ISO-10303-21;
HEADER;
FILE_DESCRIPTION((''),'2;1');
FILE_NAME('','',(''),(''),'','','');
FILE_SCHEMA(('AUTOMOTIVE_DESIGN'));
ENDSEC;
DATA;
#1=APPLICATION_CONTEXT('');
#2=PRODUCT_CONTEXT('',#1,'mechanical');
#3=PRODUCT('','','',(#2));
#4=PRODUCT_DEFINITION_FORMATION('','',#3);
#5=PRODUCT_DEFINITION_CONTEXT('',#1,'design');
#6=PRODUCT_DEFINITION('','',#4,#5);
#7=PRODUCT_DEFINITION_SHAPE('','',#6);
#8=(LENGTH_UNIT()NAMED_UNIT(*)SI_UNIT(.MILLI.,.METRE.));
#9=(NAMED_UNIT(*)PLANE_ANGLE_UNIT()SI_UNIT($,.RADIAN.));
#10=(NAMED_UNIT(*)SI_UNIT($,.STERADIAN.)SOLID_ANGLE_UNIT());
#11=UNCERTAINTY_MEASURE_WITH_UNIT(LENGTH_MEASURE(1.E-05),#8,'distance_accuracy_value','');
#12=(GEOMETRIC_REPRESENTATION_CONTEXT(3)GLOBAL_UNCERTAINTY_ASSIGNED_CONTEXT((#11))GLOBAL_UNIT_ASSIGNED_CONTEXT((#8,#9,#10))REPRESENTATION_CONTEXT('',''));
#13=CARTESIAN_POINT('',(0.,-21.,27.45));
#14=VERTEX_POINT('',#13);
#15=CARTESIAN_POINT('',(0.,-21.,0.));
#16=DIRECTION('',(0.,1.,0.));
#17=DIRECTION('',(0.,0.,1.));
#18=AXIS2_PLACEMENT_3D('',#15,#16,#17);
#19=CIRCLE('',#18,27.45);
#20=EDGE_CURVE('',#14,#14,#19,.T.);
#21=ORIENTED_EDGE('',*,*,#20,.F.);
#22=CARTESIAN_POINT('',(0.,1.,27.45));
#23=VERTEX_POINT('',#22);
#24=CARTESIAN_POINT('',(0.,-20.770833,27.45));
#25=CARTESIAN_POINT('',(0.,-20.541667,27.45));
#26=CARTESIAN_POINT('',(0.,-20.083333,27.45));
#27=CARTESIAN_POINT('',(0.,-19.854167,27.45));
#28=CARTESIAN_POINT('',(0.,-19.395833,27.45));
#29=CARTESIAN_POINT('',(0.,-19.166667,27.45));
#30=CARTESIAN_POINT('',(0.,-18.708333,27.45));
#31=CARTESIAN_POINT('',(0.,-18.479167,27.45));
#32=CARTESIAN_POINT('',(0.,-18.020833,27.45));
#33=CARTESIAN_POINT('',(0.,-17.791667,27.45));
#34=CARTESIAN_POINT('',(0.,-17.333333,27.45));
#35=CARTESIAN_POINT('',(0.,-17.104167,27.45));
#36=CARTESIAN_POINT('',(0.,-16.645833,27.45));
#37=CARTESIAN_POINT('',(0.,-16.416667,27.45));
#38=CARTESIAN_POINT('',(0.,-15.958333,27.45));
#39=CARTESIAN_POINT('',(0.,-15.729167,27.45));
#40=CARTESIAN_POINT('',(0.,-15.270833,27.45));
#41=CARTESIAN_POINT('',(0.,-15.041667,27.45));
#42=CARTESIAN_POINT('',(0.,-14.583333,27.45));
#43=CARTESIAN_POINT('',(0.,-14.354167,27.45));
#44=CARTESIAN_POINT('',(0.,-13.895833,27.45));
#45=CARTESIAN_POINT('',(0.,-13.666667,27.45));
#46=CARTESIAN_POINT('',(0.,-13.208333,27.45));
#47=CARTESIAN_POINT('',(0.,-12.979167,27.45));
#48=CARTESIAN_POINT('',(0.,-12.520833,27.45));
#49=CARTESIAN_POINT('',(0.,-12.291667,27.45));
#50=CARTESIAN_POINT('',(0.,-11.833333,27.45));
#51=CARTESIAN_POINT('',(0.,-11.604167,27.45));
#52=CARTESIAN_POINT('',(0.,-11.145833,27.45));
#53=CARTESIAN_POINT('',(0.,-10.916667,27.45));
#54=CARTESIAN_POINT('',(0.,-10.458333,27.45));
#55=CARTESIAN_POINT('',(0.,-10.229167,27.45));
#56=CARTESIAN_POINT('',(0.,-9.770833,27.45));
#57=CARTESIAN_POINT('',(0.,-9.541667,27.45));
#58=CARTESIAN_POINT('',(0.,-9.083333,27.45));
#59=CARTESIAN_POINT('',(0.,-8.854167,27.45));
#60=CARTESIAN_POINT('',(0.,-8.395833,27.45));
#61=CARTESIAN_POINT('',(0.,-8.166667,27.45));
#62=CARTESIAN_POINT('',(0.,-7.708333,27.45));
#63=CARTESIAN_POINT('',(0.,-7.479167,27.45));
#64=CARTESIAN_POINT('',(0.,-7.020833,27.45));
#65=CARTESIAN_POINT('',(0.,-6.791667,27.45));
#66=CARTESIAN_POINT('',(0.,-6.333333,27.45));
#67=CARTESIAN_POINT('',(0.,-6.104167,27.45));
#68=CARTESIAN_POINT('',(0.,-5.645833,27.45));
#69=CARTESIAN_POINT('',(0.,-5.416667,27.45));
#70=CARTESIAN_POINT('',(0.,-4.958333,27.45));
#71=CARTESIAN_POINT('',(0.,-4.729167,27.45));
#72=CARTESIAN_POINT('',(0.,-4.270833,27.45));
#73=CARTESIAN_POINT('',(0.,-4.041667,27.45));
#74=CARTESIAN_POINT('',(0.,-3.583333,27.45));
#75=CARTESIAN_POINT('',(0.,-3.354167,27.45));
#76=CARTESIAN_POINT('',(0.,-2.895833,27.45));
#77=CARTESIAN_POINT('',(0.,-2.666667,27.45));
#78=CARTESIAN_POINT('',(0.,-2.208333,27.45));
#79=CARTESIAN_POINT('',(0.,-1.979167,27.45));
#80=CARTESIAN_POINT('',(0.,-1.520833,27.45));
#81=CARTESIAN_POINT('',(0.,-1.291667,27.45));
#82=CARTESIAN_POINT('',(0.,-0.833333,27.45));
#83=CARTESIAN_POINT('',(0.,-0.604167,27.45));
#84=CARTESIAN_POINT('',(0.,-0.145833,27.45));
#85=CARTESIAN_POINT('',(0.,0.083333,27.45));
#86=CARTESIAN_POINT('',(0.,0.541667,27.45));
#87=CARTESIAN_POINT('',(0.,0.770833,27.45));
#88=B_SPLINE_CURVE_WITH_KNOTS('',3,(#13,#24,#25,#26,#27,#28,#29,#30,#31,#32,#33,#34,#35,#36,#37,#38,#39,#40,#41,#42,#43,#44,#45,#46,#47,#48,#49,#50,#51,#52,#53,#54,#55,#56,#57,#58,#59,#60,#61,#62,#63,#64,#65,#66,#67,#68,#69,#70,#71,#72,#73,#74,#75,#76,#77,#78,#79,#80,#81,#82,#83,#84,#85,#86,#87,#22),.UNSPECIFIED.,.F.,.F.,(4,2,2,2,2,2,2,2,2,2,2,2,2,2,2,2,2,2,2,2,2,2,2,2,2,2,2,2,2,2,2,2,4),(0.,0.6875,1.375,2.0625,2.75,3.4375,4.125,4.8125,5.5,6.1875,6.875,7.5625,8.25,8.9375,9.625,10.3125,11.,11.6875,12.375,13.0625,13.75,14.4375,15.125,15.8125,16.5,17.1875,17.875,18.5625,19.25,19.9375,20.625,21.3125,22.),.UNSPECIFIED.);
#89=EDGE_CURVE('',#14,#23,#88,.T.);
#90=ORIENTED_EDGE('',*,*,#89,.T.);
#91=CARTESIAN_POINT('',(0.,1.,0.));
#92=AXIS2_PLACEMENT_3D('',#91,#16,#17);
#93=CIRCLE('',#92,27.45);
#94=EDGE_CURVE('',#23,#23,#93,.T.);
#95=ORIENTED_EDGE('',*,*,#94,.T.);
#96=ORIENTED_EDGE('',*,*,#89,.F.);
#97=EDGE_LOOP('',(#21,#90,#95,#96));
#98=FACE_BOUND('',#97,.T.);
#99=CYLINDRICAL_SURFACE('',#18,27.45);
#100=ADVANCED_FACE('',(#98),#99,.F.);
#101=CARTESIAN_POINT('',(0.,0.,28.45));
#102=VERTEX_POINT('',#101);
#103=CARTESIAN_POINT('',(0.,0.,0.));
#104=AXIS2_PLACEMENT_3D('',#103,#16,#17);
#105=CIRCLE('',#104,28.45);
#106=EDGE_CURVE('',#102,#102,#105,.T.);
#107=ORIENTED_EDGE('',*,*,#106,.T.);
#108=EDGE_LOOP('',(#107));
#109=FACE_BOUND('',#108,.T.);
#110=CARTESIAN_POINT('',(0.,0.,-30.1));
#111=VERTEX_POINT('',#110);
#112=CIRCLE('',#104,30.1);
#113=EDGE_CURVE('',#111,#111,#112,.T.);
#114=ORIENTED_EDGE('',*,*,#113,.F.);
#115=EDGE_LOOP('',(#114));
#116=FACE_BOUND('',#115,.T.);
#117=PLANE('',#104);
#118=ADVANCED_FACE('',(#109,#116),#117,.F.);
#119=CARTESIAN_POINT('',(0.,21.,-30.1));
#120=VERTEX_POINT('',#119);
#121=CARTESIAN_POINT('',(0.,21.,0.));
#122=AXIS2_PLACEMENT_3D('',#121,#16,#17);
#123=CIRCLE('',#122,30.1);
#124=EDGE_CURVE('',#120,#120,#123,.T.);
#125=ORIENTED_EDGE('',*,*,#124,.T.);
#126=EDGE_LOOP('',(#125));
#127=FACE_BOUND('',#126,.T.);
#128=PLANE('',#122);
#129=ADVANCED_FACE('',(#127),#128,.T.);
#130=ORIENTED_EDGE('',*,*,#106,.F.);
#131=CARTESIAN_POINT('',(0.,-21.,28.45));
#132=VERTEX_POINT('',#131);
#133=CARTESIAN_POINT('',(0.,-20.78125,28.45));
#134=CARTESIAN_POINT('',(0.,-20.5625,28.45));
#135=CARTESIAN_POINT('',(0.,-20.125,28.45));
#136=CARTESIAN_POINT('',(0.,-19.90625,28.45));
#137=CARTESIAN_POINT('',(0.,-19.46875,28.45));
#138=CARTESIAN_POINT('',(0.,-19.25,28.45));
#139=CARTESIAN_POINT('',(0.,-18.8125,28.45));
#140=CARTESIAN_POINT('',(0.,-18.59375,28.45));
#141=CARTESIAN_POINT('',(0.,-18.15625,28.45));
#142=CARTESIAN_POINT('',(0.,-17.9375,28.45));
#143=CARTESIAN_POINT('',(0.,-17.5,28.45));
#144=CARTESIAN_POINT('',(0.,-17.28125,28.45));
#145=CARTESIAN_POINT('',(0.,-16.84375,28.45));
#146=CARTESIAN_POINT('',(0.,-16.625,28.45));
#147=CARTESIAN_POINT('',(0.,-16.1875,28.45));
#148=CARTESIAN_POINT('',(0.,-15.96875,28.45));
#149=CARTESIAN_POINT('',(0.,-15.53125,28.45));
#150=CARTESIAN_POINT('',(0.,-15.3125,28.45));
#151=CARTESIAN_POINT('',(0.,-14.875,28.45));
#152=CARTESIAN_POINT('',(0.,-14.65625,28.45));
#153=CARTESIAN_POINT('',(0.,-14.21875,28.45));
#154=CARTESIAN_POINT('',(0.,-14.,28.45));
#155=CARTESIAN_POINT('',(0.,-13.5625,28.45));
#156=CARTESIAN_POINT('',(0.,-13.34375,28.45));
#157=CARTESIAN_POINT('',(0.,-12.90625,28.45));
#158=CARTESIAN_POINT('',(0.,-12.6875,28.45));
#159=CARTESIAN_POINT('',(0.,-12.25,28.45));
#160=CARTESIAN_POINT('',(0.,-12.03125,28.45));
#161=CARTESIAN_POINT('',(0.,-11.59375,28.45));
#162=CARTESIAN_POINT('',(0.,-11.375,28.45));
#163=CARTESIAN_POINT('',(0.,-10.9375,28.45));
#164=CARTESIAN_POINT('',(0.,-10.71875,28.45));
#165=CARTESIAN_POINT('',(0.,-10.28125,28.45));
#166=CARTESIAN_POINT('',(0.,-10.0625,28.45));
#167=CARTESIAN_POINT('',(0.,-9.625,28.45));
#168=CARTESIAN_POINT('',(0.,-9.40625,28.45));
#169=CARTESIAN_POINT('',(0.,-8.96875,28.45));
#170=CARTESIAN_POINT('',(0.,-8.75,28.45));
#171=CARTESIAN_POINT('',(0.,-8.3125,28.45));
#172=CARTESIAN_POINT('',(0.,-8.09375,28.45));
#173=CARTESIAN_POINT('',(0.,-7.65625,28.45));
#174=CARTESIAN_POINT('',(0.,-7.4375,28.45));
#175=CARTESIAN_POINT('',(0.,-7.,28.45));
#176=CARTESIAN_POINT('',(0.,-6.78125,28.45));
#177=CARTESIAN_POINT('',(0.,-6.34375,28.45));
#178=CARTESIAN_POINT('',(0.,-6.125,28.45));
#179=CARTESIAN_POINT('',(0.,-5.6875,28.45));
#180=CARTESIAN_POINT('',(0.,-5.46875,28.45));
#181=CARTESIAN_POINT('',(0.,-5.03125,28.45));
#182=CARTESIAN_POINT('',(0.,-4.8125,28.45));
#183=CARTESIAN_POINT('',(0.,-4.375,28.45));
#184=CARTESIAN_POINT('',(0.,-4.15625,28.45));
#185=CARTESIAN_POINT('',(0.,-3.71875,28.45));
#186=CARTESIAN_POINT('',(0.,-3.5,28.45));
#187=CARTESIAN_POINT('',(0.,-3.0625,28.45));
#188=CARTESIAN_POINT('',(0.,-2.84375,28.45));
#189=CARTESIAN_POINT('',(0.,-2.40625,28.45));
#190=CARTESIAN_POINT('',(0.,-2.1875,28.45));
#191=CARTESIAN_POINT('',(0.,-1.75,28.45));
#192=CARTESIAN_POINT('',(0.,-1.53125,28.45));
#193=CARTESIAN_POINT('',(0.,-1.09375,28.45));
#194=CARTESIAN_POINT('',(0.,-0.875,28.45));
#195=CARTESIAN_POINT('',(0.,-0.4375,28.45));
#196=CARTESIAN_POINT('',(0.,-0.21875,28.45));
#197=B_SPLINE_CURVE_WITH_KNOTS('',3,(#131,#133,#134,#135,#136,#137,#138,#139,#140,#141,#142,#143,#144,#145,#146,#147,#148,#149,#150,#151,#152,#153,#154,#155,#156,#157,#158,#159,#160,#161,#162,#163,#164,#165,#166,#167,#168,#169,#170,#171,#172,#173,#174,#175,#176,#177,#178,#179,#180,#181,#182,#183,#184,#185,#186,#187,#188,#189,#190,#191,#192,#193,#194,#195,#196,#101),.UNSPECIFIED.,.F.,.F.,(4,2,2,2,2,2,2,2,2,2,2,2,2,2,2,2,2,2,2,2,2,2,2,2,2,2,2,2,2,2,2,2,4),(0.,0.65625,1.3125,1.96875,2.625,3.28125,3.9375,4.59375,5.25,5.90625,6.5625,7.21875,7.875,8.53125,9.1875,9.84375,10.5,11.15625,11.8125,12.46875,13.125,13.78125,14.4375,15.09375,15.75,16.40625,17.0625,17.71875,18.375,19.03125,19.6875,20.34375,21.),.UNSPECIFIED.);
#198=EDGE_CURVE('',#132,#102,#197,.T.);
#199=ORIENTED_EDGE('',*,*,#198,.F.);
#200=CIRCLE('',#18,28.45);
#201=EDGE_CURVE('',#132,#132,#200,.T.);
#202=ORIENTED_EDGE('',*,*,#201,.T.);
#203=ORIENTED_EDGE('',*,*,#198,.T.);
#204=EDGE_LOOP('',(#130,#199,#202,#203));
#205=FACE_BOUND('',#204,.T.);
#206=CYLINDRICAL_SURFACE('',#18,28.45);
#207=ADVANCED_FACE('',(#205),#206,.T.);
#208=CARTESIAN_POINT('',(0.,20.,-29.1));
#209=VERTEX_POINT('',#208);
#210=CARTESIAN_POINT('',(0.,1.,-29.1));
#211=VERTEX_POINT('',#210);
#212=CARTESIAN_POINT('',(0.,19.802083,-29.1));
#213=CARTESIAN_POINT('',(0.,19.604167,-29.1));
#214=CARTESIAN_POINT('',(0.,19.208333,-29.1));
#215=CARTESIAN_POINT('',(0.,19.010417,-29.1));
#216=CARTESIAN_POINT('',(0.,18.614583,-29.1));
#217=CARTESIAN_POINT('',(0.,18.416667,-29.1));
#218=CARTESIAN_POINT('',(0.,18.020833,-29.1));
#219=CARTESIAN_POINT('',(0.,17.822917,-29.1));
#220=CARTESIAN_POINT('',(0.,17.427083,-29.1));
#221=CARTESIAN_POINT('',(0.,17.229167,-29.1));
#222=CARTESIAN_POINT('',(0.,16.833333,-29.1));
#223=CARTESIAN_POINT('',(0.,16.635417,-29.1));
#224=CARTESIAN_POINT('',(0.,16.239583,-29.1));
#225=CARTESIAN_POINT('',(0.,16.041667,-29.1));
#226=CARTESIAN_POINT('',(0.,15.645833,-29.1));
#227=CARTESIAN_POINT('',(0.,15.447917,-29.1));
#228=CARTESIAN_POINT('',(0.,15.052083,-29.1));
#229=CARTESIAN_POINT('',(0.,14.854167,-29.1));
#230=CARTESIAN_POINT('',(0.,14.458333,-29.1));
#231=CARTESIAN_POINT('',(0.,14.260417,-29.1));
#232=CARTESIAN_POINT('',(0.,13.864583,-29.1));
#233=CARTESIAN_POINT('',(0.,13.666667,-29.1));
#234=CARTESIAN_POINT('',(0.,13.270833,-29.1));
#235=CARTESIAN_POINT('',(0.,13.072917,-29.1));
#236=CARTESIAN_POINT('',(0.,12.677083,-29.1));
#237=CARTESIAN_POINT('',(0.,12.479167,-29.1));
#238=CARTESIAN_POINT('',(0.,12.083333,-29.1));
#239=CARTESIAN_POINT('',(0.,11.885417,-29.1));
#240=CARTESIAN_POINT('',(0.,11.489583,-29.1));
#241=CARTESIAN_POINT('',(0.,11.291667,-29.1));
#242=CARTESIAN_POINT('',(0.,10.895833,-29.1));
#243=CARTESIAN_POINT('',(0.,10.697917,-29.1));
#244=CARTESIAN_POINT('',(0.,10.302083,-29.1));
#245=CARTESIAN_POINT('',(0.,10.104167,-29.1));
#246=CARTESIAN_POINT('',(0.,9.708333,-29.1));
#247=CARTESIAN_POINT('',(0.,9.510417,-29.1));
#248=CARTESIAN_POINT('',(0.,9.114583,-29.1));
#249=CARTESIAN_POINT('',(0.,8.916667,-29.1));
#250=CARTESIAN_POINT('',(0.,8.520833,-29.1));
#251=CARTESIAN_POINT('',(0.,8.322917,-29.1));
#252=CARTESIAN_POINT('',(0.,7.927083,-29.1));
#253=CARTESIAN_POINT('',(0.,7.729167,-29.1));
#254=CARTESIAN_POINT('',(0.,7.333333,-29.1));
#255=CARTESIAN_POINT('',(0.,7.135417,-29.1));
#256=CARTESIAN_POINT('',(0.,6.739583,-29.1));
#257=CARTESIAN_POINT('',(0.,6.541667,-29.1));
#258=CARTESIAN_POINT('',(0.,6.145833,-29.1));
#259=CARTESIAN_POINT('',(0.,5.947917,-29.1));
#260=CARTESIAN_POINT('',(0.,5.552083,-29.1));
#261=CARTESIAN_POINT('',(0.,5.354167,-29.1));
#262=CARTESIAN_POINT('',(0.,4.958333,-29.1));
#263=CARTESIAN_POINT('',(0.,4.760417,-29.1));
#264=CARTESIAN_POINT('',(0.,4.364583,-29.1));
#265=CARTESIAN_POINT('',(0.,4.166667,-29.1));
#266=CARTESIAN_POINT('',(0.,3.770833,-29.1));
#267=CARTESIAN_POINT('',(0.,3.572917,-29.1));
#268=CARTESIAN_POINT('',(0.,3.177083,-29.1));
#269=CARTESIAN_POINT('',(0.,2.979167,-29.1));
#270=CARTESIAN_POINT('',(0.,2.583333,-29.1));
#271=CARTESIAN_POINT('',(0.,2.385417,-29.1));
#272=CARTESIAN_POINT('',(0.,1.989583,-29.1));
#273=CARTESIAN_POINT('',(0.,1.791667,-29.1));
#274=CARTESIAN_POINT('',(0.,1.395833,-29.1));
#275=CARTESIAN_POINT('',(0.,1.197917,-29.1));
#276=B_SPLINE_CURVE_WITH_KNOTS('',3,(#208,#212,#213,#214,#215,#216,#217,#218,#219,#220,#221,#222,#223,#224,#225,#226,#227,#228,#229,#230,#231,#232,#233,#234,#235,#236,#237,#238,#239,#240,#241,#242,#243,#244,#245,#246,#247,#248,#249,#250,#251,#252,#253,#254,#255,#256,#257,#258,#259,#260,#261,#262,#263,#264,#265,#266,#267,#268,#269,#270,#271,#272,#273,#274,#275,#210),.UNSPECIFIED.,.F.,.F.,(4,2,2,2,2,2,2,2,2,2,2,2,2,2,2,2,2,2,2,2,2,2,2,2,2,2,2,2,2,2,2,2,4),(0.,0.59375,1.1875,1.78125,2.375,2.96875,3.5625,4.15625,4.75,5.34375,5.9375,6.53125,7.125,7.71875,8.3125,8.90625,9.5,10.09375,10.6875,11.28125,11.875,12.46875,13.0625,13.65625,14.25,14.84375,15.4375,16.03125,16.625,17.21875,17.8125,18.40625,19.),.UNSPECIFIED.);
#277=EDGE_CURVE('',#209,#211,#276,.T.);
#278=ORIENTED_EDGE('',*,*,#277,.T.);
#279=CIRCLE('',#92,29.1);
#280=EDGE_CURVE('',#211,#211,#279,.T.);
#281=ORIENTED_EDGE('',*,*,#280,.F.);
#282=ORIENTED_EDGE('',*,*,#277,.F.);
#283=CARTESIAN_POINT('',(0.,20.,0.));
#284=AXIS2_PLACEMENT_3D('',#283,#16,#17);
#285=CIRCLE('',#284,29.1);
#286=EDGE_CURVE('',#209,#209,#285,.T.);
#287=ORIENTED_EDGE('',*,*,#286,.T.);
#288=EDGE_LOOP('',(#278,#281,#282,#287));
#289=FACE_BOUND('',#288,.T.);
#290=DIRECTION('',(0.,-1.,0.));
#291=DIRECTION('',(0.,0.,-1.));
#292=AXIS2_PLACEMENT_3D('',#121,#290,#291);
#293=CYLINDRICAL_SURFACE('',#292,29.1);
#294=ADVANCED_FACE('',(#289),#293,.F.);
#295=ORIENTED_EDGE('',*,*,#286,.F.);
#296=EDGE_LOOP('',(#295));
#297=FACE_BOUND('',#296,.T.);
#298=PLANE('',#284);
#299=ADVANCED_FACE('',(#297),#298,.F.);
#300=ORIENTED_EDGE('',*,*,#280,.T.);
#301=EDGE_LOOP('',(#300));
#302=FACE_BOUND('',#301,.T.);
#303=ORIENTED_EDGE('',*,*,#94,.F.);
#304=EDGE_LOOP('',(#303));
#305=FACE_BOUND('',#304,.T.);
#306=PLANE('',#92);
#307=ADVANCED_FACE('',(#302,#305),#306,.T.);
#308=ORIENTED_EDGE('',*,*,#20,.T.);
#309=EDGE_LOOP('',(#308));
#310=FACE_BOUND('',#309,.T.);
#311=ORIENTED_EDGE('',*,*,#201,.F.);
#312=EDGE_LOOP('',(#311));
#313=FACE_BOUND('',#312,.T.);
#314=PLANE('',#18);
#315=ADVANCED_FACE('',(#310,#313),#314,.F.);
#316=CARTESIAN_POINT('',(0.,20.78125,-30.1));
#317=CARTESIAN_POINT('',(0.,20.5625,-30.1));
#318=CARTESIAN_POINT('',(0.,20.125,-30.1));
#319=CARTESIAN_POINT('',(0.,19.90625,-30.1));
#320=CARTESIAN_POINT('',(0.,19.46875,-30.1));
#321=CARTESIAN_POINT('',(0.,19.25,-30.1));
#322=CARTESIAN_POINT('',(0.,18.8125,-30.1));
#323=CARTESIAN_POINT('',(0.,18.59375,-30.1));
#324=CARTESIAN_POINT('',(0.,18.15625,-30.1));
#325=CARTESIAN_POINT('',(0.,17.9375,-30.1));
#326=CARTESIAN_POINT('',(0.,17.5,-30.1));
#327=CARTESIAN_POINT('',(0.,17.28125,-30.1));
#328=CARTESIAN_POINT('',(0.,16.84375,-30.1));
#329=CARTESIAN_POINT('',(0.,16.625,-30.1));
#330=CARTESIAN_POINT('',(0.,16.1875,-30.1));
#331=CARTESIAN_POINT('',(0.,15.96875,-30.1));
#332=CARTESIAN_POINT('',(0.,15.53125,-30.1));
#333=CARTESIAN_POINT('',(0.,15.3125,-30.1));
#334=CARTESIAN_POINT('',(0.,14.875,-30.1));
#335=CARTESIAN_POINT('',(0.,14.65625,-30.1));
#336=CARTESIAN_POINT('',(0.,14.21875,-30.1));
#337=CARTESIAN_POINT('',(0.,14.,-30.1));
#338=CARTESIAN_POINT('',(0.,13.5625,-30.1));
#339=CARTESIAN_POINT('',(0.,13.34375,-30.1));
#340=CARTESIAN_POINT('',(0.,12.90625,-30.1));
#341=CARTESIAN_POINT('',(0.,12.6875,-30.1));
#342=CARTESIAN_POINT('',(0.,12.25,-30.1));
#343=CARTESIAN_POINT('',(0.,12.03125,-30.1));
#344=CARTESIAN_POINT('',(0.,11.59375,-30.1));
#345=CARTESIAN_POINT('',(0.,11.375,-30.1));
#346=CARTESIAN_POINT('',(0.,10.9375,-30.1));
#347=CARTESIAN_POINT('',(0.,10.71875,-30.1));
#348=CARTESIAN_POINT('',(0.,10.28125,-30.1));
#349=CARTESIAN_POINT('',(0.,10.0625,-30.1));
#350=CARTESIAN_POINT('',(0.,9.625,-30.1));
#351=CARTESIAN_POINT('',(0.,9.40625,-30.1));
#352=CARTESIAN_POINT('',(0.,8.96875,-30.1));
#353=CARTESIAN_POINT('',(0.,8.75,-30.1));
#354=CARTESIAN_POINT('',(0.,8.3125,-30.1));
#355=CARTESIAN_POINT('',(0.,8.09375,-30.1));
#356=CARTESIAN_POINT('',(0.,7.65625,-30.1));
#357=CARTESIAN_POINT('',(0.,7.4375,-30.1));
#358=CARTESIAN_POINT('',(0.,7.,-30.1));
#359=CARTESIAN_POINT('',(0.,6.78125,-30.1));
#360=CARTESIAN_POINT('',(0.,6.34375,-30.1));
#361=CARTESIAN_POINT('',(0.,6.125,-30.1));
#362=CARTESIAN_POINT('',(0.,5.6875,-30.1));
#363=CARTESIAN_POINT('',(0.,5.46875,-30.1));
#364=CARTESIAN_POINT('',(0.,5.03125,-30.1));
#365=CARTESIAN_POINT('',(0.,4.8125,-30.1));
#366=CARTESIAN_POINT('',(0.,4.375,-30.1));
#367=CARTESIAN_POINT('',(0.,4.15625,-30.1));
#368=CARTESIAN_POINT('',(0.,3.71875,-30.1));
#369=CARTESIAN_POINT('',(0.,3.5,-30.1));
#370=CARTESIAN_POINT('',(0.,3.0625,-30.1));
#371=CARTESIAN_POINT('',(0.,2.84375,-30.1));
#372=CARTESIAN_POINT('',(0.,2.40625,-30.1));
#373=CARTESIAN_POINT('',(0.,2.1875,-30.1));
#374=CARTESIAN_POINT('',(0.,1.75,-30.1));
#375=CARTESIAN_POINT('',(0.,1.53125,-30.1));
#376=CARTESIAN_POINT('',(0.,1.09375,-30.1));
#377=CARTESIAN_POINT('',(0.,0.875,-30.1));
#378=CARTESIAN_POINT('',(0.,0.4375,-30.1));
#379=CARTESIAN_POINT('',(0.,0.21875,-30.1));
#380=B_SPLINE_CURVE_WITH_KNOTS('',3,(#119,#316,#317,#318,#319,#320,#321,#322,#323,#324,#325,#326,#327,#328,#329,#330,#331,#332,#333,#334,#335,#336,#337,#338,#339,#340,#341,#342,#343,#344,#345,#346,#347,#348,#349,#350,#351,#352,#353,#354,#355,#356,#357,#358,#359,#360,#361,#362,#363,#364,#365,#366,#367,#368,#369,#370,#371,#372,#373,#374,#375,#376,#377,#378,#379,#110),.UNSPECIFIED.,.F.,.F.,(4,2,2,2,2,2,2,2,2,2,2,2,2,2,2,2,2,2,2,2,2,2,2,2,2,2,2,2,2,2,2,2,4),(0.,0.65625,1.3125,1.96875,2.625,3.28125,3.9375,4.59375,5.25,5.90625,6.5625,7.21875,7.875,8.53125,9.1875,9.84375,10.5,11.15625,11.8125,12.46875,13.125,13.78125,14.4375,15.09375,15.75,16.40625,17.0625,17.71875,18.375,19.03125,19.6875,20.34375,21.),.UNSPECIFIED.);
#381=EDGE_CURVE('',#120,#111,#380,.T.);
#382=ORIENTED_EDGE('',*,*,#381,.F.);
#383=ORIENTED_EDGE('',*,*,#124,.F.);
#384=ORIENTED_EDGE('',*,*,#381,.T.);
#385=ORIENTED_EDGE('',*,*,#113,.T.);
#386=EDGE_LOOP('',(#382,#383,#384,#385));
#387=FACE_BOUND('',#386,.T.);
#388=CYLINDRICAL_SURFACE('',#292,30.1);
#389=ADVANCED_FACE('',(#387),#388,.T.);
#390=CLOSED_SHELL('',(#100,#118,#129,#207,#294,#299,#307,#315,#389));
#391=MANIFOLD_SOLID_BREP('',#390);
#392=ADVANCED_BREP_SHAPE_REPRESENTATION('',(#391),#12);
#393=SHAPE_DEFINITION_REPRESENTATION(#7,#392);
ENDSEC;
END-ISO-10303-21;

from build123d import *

# Parameters (mm, degrees)
SKETCH1_R           = 30.1
BOSS_EXTRUDE1_DEPTH = 21
SKETCH1_3_R         = 28.45
BOSS_EXTRUDE2_DEPTH = 21
SHELL1_T            = -1


with BuildPart() as part:
    # Sketch1 → Boss-Extrude1 (new body)
    with BuildSketch(Plane(origin=(0, 0, 0), x_dir=(1, 0, 0), z_dir=(0, 1, 0))):
        Circle(SKETCH1_R)
    extrude(amount=BOSS_EXTRUDE1_DEPTH)

    # Sketch1<3> → Boss-Extrude2 (add)
    with BuildSketch(Plane(origin=(0, 0, 0), x_dir=(1, 0, 0), z_dir=(0, 1, 0))):
        Circle(SKETCH1_3_R)
    extrude(amount=-BOSS_EXTRUDE2_DEPTH)

    # Shell1
    shell1_openings = [part.faces().sort_by_distance(p)[0] for p in [
        (0, -21, 0),
    ]]
    offset(amount=SHELL1_T, openings=shell1_openings, kind=Kind.INTERSECTION)


solid = part.part
